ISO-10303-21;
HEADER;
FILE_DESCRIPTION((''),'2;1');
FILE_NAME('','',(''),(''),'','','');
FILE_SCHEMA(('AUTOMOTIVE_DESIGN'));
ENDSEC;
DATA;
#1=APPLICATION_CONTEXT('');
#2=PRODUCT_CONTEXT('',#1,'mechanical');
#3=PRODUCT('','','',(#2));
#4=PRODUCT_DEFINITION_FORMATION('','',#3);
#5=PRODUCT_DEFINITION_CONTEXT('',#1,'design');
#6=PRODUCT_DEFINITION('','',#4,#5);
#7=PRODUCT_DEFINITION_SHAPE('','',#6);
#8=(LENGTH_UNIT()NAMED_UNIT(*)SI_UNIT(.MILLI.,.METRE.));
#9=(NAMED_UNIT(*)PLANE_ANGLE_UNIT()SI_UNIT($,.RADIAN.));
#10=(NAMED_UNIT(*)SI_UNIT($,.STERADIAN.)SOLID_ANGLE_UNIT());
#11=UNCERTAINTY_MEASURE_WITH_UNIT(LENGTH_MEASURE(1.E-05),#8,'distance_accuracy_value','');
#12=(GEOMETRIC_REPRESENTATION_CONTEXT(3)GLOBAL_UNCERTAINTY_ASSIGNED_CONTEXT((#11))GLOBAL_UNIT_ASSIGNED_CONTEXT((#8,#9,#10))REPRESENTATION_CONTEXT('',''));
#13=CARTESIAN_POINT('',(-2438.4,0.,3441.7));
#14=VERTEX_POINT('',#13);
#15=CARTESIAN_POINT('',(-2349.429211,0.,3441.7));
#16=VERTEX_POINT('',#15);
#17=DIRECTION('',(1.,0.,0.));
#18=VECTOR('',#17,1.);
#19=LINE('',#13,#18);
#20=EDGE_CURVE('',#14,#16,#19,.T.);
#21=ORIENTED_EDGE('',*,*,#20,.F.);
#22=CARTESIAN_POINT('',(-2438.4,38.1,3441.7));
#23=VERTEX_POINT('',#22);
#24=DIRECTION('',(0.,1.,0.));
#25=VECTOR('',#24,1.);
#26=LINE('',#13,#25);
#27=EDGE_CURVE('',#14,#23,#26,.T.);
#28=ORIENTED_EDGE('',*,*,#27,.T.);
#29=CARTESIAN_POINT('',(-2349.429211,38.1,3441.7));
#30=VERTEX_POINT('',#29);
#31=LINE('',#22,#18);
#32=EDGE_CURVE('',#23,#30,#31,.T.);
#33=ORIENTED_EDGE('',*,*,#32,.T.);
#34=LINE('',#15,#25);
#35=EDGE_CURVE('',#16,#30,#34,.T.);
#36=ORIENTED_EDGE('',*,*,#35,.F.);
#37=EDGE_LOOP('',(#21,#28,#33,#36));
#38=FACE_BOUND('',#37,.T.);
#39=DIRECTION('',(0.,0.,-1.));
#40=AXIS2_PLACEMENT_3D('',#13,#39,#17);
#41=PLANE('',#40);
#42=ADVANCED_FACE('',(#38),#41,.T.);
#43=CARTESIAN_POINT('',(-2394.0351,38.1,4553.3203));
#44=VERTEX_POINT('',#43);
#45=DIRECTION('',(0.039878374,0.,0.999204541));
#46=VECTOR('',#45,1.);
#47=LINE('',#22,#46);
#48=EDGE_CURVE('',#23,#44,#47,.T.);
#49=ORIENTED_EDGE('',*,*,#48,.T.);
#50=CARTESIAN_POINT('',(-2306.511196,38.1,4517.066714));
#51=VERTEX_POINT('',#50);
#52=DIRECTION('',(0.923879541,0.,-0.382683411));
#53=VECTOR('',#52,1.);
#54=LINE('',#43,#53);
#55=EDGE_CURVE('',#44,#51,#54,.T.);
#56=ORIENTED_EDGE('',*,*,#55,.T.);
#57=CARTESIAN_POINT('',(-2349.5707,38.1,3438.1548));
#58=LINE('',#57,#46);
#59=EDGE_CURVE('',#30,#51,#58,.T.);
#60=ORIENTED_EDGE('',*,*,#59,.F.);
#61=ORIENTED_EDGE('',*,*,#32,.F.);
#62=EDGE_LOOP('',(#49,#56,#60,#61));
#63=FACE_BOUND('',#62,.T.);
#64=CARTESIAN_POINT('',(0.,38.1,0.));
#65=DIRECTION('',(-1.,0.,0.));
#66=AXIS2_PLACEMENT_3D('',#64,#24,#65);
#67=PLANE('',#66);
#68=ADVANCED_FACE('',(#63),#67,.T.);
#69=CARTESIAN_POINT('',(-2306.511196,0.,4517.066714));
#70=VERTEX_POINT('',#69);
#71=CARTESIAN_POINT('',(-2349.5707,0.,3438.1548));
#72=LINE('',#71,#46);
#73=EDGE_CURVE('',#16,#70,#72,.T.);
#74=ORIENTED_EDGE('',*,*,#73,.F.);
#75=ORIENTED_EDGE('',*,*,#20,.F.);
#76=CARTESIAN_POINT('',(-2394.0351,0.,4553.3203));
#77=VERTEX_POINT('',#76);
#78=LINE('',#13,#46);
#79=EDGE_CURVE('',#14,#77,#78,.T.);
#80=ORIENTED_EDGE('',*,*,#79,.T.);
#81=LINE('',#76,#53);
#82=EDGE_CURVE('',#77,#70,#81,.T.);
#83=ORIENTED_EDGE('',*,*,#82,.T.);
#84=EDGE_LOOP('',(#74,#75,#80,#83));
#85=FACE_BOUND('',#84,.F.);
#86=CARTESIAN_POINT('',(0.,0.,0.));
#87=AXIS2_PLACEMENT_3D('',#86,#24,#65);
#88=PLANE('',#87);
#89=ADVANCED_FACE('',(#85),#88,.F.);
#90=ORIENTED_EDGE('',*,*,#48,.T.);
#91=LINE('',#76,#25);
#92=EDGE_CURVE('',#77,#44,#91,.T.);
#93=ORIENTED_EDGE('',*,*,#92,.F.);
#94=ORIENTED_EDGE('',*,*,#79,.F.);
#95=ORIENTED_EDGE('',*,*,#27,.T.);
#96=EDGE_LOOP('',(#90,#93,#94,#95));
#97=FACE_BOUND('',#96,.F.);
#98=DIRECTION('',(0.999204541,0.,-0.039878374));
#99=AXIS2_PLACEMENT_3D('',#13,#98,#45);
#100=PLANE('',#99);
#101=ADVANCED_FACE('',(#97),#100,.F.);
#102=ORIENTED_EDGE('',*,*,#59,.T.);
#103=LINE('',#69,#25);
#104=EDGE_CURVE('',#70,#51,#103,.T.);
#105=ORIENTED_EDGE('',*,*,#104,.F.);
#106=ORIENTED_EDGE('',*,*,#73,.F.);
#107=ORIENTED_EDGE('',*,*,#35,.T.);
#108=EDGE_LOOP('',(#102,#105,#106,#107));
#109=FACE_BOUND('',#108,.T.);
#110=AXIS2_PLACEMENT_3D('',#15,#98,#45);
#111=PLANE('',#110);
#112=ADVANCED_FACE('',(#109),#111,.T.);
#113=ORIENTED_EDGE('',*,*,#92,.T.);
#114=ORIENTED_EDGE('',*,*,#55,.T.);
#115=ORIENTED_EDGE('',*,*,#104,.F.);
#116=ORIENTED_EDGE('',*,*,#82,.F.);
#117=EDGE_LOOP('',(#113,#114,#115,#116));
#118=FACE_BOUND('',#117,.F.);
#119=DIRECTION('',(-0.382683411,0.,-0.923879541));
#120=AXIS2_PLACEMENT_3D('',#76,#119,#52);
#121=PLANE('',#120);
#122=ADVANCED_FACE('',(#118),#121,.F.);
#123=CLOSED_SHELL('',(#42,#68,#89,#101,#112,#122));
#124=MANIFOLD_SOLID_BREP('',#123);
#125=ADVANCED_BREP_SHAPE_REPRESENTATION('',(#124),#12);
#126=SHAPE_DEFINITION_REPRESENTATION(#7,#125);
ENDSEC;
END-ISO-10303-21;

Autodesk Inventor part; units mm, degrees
ref_plane "YZ Plane" through (0, 0, 0) normal (1, 0, 0) x (0, 1, 0)
ref_plane "XZ Plane" through (0, 0, 0) normal (0, 1, 0) x (-1, 0, 0)
ref_plane "XY Plane" through (0, 0, 0) normal (0, 0, 1) x (1, 0, 0)
sketch "Sketch1" plane through (0, 0, 0) normal (0, 1, 0) x (-1, 0, 0)
  line L0 (0, 0) -> (0, -1219.2)
  line L1 (0, 0) -> (88.9, 0)
  line L2 (88.9, 0) -> (88.9, -1219.2)
  line L3 (88.9, -1219.2) -> (0, -1219.2)
  line L4 (0, 0) -> (0, 1219.2) construction
  line L5 (0, 1219.2) -> (1219.2, 1219.2) construction
  line L6 (0, 1219.2) -> (0, 3657.6) construction
  line L7 (0, 3657.6) -> (0, 4876.8) construction
  line L8 (0, 4876.8) -> (0, 6096) construction
  line L9 (0, -1219.2) -> (2438.4, -1219.2) construction
  line L10 (0, 6096) -> (2438.4, 6096) construction
  line L11 (2438.4, 6096) -> (2438.4, -1219.2) construction
  line L12 (0, 3657.6) -> (0, 3352.8) construction
  line L13 (0, 3352.8) -> (2438.4, 3352.8) construction
  line L14 (2438.4, 3352.8) -> (1219.2, 3352.8)
  line L15 (1219.2, 3352.8) -> (1219.2, 3263.9)
  line L16 (1219.2, 3263.9) -> (2438.4, 3263.9)
  line L17 (2438.4, 3263.9) -> (2438.4, 3352.8)
  line L18 (0, 6096) -> (862.1046, 6958.1046)
  line L19 (862.1046, 6958.1046) -> (924.9664, 6895.2428)
  line L20 (924.9664, 6895.2428) -> (62.8618, 6033.1382)
  line L21 (62.8618, 6033.1382) -> (0, 6096)
  line L22 (0, 4876.8) -> (1219.2, 4876.8) construction
  line L23 (1219.2, 4876.8) -> (2081.3046, 5738.9046)
  line L24 (1219.2, 1219.2) -> (2081.3046, 357.0954)
  line L25 (2081.3046, 357.0954) -> (2018.4428, 294.2336)
  line L26 (2018.4428, 294.2336) -> (1156.3382, 1156.3382)
  line L27 (1156.3382, 1156.3382) -> (1219.2, 1219.2)
  line L28 (2018.4428, 294.2336) -> (88.9, -1219.2)
  line L29 (2081.3046, 357.0954) -> (2144.1664, 419.9572)
  line L30 (2144.1664, 419.9572) -> (1282.0618, 1282.0618)
  line L31 (1282.0618, 1282.0618) -> (1219.2, 1219.2)
  line L32 (2438.4, 3352.8) -> (2438.4, 3441.7)
  line L33 (2438.4, 3441.7) -> (1219.2, 3441.7)
  line L34 (1219.2, 3441.7) -> (1219.2, 3352.8)
  line L35 (1156.3382, 4939.6618) -> (1282.0618, 4813.9382)
  line L36 (2018.4428, 5801.7664) -> (2144.1664, 5676.0428)
  line L37 (1282.0618, 4813.9382) -> (2144.1664, 5676.0428)
  line L38 (2018.4428, 5801.7664) -> (1156.3382, 4939.6618)
  line L39 (2018.4428, 5801.7664) -> (924.9664, 6895.2428)
  line L40 (62.8618, 6033.1382) -> (1156.3382, 4939.6618)
  line L41 (1233.6206, 4168.8855) -> (1267.6412, 4086.7527)
  line L42 (1263.7078, 2313.9849) -> (1230.0006, 2231.7229)
  arc A0 (862.1046, 6958.1046) -> (0, 6096) centre (431.0523, 6527.0523) ccw
  line L43 (1246.8542, 2272.8539) -> (2375.0183, 1810.583)
  line L44 (2391.8719, 1851.7139) -> (2358.1646, 1769.452)
  line L45 (2391.8719, 1851.7139) -> (1263.7078, 2313.9849)
  line L46 (1230.0006, 2231.7229) -> (2358.1646, 1769.452)
  line L47 (1230.0006, 2231.7229) -> (1219.2, 3263.9)
  line L48 (2144.1664, 419.9572) -> (2391.8719, 1851.7139)
  line L49 (2391.8719, 1851.7139) -> (2438.4, 3263.9)
  line L50 (1219.2, 3441.7) -> (1233.6206, 4168.8855)
  line L51 (1250.6309, 4127.8191) -> (2377.0248, 4594.3867)
  line L52 (2360.0145, 4635.4532) -> (2394.0351, 4553.3203)
  line L53 (2394.0351, 4553.3203) -> (1267.6412, 4086.7527)
  line L54 (2360.0145, 4635.4532) -> (1233.6206, 4168.8855)
  line L55 (2394.0351, 4553.3203) -> (2144.1664, 5676.0428)
  line L56 (2438.4, 3441.7) -> (2394.0351, 4553.3203)
  line L57 (2144.1664, 5676.0428) -> (2057.3895, 5656.7301)
  line L58 (2394.0351, 4553.3203) -> (2305.2058, 4549.7751)
  line L59 (2394.0351, 4553.3203) -> (2307.2582, 4534.0076)
  line L60 (2307.2582, 4534.0076) -> (2057.3895, 5656.7301)
  line L61 (2438.4, 3441.7) -> (2349.5707, 3438.1548)
  line L62 (2349.5707, 3438.1548) -> (2305.2058, 4549.7751)
  line L63 (1219.2, 3441.7) -> (1308.0825, 3439.9374)
  line L64 (1233.6206, 4168.8855) -> (1322.5031, 4167.1229)
  line L65 (1322.5031, 4167.1229) -> (1308.0825, 3439.9374)
  line L66 (2018.4428, 5801.7664) -> (1955.581, 5738.9046)
  line L67 (1955.581, 5738.9046) -> (862.1046, 6832.381)
  line L68 (924.9664, 6895.2428) -> (862.1046, 6832.381)
  line L69 (62.8618, 6033.1382) -> (125.7236, 6096)
  line L70 (62.8618, 6033.1382) -> (125.7236, 6096)
  line L71 (125.7236, 6096) -> (1219.2, 5002.5236)
  line L72 (1156.3382, 1156.3382) -> (0, 0)
  line L73 (0, 0) -> (62.8618, -62.8618)
  line L74 (1156.3382, 1156.3382) -> (1219.2, 1093.4764)
  line L75 (1219.2, 1093.4764) -> (62.8618, -62.8618)
  line L76 (2018.4428, 294.2336) -> (1963.5776, 364.1837)
  line L77 (88.9, -1219.2) -> (34.0348, -1149.2499)
  line L78 (34.0348, -1149.2499) -> (1963.5776, 364.1837)
  line L79 (2144.1664, 419.9572) -> (2056.5677, 435.1125)
  line L80 (2391.8719, 1851.7139) -> (2304.2732, 1866.8692)
  line L81 (2391.8719, 1851.7139) -> (2303.0201, 1854.6414)
  line L82 (2304.2732, 1866.8692) -> (2056.5677, 435.1125)
  line L83 (1230.0006, 2231.7229) -> (1318.8957, 2232.6531)
  line L84 (1219.2, 3263.9) -> (1308.0951, 3264.8302)
  line L85 (1308.0951, 3264.8302) -> (1318.8957, 2232.6531)
  line L86 (2438.4, 3263.9) -> (2349.5482, 3266.8275)
  line L87 (2349.5482, 3266.8275) -> (2303.0201, 1854.6414)
  line L88 (88.9, 0) -> (125.7236, 0)
  line L89 (1233.6206, 4168.8855) -> (1219.2, 4876.8)
  line L90 (1233.6206, 4168.8855) -> (1322.5022, 4170.6961)
  line L91 (1219.2, 4876.8) -> (1308.0816, 4878.6106)
  line L92 (1308.0816, 4878.6106) -> (1322.5022, 4170.6961)
  line L93 (1282.0618, 4813.9382) -> (1309.9674, 4786.0326)
  line L94 (1267.6412, 4086.7527) -> (1318.4756, 3964.0275)
  line L95 (2360.0145, 4635.4532) -> (2374.4273, 4641.4231)
  line L96 (1230.0006, 2231.7229) -> (1219.2, 1219.2)
  line L97 (1230.0006, 2231.7229) -> (1318.8955, 2230.7747)
  line L98 (1219.2, 1219.2) -> (1308.0949, 1218.2518)
  line L99 (1308.0949, 1218.2518) -> (1318.8955, 2230.7747)
  line L100 (1282.0618, 1282.0618) -> (1309.0636, 1309.0636)
  line L101 (1263.7078, 2313.9849) -> (1316.7428, 2438.4)
  line L102 (2358.1646, 1769.452) -> (2376.5379, 1763.082)
  point P0 (1770.957, 2057.4547)
  point P1 (1955.1236, 357.5528)
  point P2 (88.9, -1106.2164)
  point P3 (2292.1025, 1796.5213)
  point P4 (2067.2525, 496.8711)
  point P5 (1318.5187, 2195.4522)
  point P6 (1308.1049, 3263.9)
  point P7 (2349.4518, 3263.9)
  point P8 (2304.1085, 1887.6754)
  point P9 (2306.5112, 4517.0667)
  point P10 (2349.4292, 3441.7)
  dimension "d0" = 1219.2
  dimension "d2" = 1219.2
  dimension "d3" = 1219.2
  dimension "d16" = 2438.4
  dimension "d17" = 1219.2
  dimension "d18" = 1219.2
  dimension "d20" = 2438.4
  dimension "d21" = 304.8
  dimension "d22" = 1219.2
  dimension "d23" = 88.9
  dimension "d24" = 1219.2
  dimension "d25" = 45
  dimension "d26" = 88.9
  dimension "d27" = 1219.2
  dimension "d28" = 1219.2
  dimension "d29" = 1219.2
  dimension "d31" = 1219.2
  dimension "d32" = 88.9
  dimension "d33" = 88.9
  dimension "d34" = 88.9
  dimension "d35" = 177.8
  dimension "d36" = 177.8
  dimension "d38" = 88.9
  dimension "d39" = 88.9
  dimension "d43" = 1219.2
  dimension "d44" = 88.9
  dimension "d45" = 1219.2
  dimension "d46" = 88.9
  dimension "d47" = 88.9
  dimension "d48" = 88.9
  dimension "d49" = 88.9
  dimension "d50" = 88.9
  dimension "d51" = 88.9
  dimension "d54" = 88.9
  dimension "d55" = 88.9
  dimension "d57" = 88.9
  dimension "d58" = 88.9
  dimension "d59" = 88.9
  dimension "d60" = 88.9
  dimension "d61" = 88.9
  dimension "d64" = 88.9
  dimension "d65" = 88.9
  dimension "d66" = 88.9
  dimension "d69" = 88.9
  dimension "d70" = 88.9
  dimension "d71" = 88.9
  dimension "d72" = 88.9
extrude "Extrusion1" add sketch "Sketch1" along normal blind 38.1 contours L33 L62 L53 L56
properties part number "S_2x4x43.799"
